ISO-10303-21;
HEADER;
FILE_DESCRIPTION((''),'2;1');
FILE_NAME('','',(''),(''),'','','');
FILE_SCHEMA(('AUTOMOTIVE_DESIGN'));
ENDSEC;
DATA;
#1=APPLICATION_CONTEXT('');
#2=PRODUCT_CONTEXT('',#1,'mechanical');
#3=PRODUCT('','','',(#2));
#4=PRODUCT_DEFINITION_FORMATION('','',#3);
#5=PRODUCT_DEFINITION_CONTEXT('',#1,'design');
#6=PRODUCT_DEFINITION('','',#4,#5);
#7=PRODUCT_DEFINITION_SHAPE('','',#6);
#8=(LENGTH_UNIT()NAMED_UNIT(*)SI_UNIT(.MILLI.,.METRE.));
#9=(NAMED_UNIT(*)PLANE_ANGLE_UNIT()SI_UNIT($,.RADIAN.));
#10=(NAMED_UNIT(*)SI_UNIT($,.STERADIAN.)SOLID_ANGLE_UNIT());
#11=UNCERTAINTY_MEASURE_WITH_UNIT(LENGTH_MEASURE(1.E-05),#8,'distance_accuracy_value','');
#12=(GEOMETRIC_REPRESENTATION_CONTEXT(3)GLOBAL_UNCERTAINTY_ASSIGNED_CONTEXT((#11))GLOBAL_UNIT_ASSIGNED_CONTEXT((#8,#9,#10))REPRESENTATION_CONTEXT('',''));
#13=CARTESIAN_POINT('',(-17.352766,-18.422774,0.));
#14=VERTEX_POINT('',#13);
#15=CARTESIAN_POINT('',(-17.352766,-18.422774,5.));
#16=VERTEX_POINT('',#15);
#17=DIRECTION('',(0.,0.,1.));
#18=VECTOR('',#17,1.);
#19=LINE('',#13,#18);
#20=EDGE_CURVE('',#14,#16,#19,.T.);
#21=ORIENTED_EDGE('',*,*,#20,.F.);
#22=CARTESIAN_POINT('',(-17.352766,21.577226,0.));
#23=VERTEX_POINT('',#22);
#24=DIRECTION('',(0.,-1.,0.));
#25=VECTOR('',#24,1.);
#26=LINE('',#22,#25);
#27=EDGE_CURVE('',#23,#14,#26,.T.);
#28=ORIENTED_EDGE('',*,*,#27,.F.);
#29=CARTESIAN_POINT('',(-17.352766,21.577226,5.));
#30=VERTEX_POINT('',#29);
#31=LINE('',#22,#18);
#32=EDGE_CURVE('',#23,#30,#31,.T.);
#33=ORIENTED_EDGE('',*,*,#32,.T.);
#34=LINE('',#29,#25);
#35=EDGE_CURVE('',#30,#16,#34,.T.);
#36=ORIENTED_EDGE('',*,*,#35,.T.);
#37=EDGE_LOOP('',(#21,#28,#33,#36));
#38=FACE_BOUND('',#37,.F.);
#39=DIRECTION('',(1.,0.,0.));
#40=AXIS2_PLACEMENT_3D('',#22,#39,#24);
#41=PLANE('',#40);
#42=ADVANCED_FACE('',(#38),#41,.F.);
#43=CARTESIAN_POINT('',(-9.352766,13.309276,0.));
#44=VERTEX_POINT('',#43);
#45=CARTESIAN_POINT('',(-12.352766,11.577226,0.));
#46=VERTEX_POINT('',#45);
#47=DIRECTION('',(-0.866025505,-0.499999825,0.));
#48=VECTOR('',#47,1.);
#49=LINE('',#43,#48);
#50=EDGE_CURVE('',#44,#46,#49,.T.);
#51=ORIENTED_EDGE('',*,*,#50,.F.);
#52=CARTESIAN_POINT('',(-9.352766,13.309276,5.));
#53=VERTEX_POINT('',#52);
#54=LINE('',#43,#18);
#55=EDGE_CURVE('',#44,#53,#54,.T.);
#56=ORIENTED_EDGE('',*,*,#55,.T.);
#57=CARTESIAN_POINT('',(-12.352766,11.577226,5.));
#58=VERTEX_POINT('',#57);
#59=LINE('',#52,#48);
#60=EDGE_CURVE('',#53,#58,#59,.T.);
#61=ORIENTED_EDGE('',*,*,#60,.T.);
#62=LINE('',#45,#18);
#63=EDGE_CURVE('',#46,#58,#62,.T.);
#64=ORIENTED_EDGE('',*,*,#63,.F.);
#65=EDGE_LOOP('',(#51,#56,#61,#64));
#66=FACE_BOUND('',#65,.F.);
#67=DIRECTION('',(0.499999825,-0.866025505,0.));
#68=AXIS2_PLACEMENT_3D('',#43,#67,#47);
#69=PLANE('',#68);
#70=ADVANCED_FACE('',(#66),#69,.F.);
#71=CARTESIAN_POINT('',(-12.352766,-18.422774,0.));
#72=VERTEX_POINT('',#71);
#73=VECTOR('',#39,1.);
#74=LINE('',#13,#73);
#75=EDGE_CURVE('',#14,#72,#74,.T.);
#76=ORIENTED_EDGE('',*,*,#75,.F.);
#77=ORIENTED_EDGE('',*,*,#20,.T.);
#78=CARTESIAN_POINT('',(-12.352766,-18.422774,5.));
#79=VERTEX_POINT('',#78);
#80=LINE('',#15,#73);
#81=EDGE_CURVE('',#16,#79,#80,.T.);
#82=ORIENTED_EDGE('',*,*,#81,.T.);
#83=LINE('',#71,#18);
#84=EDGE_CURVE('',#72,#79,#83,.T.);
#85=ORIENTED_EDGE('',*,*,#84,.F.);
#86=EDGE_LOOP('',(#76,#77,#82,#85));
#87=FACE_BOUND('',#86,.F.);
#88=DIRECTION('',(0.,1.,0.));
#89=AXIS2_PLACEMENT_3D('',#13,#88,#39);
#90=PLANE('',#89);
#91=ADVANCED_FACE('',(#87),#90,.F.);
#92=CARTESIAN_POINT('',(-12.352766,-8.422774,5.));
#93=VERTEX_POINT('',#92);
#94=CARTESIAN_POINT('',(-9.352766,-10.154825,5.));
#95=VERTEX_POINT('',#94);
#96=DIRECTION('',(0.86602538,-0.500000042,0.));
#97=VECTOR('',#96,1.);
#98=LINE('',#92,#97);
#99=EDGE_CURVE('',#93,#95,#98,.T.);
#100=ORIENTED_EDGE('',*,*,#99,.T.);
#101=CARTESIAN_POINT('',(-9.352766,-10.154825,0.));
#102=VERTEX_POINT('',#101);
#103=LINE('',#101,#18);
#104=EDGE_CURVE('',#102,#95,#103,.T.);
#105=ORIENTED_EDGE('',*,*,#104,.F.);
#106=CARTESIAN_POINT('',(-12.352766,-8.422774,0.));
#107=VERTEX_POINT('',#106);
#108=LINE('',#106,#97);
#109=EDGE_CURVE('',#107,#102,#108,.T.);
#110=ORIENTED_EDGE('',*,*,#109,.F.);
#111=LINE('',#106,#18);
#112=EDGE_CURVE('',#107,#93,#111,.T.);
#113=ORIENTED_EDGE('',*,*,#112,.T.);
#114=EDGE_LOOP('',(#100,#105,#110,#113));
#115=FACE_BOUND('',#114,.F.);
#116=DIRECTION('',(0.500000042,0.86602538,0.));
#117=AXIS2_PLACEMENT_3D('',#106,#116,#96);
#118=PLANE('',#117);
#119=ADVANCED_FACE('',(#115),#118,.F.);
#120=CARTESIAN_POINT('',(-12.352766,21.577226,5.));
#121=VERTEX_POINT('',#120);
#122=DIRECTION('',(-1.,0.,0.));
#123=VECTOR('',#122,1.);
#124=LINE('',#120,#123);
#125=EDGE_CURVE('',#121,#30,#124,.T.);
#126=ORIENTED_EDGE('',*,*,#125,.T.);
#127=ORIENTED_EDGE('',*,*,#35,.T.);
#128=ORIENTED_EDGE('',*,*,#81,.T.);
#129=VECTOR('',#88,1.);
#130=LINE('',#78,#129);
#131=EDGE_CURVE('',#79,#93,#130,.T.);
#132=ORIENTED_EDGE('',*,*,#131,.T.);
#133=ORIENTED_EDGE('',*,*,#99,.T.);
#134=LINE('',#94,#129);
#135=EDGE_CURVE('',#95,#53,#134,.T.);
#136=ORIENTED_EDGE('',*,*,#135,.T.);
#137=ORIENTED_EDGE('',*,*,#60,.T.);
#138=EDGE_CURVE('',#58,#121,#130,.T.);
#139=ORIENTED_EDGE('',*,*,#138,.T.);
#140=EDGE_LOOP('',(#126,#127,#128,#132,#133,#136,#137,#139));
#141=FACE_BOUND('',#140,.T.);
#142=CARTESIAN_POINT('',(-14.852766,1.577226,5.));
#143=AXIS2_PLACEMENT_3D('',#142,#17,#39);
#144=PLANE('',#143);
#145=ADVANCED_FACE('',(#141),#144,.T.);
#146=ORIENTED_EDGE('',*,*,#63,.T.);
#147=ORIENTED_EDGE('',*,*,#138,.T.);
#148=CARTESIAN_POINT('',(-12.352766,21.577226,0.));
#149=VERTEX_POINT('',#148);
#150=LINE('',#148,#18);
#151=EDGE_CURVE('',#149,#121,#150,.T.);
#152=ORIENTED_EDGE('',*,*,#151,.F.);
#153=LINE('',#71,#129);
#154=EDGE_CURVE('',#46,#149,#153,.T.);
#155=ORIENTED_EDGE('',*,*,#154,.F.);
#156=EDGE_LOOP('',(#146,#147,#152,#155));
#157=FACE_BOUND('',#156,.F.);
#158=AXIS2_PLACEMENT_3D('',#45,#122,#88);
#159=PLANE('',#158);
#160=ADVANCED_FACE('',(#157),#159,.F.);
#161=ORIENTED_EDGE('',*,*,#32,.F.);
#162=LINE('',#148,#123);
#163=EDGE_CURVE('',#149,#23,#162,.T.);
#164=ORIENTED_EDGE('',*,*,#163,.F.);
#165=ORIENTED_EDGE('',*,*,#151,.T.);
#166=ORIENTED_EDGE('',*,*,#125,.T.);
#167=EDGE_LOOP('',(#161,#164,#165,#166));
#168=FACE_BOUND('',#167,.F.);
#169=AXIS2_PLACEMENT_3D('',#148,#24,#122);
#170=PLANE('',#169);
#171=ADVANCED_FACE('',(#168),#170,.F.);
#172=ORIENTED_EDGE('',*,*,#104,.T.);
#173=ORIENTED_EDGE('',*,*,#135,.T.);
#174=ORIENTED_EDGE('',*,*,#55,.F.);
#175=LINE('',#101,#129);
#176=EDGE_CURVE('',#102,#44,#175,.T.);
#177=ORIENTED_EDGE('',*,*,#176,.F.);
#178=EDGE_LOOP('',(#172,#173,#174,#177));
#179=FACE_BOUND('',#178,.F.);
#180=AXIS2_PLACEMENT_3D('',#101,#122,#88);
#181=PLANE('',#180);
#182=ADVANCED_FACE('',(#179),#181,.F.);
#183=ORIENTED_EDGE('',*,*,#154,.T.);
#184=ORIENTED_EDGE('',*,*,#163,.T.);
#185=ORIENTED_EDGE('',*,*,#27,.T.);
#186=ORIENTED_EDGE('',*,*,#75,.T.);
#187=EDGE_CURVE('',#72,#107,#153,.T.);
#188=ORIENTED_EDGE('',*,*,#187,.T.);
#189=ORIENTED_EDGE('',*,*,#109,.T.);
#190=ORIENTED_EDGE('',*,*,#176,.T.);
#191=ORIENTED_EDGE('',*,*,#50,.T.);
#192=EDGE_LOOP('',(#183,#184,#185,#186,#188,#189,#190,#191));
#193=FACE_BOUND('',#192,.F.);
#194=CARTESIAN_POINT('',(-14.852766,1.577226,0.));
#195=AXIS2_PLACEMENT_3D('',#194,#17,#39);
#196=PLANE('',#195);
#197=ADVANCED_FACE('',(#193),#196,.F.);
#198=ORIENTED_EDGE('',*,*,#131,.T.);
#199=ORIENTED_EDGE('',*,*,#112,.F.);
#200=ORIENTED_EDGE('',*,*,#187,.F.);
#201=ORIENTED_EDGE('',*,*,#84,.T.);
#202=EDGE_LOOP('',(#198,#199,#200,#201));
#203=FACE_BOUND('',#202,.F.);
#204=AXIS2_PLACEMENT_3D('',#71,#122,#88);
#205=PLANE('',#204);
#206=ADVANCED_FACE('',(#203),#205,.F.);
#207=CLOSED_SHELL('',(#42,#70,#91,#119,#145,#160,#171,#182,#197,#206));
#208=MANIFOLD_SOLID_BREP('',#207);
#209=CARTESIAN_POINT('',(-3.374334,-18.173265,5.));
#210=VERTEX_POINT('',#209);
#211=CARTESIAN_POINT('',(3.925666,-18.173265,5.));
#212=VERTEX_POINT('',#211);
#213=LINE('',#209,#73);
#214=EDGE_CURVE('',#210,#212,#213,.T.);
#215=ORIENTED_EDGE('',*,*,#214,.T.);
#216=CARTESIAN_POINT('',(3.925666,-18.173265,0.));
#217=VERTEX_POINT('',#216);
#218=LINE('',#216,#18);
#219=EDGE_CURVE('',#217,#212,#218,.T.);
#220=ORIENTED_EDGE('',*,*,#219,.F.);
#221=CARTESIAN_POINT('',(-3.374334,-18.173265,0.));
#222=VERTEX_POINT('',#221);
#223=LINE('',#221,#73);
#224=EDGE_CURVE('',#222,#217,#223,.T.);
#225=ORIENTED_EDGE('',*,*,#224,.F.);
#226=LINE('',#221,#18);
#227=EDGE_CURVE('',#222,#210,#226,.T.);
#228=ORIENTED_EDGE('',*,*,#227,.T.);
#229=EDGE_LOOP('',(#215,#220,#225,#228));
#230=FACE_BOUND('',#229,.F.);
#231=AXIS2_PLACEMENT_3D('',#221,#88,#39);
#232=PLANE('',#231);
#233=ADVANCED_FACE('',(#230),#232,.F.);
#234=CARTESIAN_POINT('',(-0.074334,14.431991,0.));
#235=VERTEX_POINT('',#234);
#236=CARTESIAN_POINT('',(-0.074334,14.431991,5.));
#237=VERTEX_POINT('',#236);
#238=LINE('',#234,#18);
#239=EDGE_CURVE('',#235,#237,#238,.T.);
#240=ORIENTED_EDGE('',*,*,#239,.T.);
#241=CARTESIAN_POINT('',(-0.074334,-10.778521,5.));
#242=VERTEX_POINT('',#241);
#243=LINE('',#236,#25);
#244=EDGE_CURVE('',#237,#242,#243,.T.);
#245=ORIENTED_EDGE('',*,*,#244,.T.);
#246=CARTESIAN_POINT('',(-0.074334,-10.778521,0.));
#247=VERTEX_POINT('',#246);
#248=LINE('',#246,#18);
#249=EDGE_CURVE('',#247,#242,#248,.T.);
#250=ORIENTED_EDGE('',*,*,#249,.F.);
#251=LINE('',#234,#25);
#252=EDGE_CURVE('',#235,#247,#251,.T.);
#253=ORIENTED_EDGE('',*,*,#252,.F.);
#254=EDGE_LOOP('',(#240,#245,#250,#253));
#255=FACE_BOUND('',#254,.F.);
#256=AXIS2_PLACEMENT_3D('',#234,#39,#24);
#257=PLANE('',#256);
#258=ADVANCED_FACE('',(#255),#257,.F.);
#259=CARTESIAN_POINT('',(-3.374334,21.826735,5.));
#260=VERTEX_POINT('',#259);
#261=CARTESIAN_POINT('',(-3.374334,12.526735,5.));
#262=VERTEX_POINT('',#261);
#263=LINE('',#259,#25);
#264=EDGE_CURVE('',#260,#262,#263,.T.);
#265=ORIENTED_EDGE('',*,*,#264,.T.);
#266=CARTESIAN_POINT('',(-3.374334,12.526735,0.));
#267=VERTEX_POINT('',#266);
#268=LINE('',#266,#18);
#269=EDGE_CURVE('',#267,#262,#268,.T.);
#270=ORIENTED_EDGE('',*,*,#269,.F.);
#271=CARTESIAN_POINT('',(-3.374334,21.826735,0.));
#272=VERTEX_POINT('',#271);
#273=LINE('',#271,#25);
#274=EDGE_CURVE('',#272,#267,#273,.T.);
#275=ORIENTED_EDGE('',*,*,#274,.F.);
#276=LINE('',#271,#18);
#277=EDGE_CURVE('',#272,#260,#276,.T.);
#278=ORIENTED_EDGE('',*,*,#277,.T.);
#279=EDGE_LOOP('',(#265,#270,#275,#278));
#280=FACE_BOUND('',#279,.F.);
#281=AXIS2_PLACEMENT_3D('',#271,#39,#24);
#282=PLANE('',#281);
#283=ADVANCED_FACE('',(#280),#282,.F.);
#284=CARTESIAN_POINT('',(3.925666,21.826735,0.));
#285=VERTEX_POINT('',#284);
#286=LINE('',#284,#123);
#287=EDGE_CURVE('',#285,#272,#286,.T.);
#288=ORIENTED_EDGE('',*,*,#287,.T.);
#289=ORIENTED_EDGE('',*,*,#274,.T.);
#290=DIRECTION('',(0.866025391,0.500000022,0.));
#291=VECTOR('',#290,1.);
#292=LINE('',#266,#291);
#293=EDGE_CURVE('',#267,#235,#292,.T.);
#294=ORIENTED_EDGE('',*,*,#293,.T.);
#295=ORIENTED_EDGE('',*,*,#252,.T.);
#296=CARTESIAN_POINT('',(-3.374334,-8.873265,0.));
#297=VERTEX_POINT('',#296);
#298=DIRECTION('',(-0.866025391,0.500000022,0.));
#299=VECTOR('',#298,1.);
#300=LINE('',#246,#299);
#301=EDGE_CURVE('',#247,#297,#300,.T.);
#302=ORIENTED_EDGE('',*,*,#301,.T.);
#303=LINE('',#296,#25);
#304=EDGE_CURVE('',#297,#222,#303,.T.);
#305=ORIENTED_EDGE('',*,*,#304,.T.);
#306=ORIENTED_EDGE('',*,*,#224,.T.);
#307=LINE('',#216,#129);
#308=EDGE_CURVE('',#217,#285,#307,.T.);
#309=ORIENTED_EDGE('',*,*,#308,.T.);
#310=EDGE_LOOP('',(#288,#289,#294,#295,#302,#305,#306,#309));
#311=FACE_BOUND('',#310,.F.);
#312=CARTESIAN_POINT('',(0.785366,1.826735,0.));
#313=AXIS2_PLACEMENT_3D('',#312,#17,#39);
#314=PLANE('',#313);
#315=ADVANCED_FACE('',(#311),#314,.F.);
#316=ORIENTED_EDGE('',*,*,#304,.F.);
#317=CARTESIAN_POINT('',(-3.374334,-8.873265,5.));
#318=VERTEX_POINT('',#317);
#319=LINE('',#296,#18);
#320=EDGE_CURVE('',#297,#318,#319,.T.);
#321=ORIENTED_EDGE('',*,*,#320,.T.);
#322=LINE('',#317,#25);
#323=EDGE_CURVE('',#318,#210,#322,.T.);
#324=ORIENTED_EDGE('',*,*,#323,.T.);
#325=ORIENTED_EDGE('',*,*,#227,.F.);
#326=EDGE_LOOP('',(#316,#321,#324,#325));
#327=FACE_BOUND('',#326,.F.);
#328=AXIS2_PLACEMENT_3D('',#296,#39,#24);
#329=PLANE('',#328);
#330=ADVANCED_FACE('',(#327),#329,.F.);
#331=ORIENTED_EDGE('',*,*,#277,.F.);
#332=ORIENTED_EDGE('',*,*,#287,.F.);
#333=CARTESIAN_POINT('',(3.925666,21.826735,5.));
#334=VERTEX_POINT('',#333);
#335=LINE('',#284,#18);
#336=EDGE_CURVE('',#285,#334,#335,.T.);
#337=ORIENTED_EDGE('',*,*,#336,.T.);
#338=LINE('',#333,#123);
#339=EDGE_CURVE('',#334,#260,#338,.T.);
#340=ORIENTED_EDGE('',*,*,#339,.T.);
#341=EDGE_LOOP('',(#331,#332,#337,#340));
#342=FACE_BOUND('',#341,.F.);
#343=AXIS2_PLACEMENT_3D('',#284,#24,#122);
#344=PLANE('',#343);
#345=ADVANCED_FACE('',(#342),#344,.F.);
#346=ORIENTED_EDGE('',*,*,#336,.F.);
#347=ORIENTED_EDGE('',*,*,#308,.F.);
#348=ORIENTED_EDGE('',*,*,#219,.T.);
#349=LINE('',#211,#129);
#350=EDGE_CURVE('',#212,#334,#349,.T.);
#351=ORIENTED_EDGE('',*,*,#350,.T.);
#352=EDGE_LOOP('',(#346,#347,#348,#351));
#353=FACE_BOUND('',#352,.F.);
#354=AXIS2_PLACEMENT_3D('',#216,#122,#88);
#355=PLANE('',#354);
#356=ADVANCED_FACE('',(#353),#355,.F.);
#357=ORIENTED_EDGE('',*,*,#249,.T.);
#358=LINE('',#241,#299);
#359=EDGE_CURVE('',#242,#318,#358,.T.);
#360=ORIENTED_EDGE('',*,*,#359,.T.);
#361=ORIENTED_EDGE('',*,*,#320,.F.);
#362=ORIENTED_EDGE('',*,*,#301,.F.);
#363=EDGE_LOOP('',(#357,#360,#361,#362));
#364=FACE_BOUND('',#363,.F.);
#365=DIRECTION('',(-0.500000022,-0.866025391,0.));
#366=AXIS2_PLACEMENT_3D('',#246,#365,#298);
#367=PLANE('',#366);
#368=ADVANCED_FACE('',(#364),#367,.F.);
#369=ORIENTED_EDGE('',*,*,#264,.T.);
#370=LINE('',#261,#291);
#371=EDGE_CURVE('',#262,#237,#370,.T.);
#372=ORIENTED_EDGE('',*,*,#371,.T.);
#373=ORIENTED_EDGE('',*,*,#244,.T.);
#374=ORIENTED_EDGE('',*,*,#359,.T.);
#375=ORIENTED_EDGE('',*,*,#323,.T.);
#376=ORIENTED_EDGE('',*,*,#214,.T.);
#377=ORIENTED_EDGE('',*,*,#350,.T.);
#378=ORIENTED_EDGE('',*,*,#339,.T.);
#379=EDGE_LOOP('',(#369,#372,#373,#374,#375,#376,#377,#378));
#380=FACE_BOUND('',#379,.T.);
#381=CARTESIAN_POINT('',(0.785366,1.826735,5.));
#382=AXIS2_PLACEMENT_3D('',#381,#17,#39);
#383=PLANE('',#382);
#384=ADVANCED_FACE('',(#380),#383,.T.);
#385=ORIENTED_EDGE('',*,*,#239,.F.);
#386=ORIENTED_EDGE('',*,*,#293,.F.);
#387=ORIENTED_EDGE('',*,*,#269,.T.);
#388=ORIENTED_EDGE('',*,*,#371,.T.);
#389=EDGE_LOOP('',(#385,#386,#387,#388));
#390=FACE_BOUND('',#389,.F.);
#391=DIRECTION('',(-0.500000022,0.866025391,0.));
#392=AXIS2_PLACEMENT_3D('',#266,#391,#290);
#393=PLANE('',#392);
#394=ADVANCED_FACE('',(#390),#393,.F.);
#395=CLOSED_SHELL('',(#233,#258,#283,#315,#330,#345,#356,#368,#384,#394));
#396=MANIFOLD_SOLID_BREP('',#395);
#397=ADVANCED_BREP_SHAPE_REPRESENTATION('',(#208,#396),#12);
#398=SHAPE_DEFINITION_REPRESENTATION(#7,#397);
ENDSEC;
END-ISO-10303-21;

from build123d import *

# Parameters (mm, degrees)
F2_DEPTH = 5


with BuildPart() as f2:
    # F0 (on Top) + F1 (on Top) → F2 (new body)
    with BuildSketch(Plane.XY):
        Polygon((-12.352766, 11.577226), (-12.352766, 21.577226), (-17.352766, 21.577226), (-17.352766, -18.422774), (-12.352766, -18.422774), (-12.352766, -8.422774), align=None)
        Polygon((-9.352766, 13.309276), (-12.352766, 11.577226), (-12.352766, -8.422774), (-9.352766, -10.154825), align=None)
    with BuildSketch(Plane.XY):
        Polygon((3.925666, 21.826735), (-3.374334, 21.826735), (-3.374334, 12.526735), (-0.074334, 14.431991), (-0.074334, -10.778521), (-3.374334, -8.873265), (-3.374334, -18.173265), (3.925666, -18.173265), align=None)
    extrude(amount=F2_DEPTH)


solid = f2.part
